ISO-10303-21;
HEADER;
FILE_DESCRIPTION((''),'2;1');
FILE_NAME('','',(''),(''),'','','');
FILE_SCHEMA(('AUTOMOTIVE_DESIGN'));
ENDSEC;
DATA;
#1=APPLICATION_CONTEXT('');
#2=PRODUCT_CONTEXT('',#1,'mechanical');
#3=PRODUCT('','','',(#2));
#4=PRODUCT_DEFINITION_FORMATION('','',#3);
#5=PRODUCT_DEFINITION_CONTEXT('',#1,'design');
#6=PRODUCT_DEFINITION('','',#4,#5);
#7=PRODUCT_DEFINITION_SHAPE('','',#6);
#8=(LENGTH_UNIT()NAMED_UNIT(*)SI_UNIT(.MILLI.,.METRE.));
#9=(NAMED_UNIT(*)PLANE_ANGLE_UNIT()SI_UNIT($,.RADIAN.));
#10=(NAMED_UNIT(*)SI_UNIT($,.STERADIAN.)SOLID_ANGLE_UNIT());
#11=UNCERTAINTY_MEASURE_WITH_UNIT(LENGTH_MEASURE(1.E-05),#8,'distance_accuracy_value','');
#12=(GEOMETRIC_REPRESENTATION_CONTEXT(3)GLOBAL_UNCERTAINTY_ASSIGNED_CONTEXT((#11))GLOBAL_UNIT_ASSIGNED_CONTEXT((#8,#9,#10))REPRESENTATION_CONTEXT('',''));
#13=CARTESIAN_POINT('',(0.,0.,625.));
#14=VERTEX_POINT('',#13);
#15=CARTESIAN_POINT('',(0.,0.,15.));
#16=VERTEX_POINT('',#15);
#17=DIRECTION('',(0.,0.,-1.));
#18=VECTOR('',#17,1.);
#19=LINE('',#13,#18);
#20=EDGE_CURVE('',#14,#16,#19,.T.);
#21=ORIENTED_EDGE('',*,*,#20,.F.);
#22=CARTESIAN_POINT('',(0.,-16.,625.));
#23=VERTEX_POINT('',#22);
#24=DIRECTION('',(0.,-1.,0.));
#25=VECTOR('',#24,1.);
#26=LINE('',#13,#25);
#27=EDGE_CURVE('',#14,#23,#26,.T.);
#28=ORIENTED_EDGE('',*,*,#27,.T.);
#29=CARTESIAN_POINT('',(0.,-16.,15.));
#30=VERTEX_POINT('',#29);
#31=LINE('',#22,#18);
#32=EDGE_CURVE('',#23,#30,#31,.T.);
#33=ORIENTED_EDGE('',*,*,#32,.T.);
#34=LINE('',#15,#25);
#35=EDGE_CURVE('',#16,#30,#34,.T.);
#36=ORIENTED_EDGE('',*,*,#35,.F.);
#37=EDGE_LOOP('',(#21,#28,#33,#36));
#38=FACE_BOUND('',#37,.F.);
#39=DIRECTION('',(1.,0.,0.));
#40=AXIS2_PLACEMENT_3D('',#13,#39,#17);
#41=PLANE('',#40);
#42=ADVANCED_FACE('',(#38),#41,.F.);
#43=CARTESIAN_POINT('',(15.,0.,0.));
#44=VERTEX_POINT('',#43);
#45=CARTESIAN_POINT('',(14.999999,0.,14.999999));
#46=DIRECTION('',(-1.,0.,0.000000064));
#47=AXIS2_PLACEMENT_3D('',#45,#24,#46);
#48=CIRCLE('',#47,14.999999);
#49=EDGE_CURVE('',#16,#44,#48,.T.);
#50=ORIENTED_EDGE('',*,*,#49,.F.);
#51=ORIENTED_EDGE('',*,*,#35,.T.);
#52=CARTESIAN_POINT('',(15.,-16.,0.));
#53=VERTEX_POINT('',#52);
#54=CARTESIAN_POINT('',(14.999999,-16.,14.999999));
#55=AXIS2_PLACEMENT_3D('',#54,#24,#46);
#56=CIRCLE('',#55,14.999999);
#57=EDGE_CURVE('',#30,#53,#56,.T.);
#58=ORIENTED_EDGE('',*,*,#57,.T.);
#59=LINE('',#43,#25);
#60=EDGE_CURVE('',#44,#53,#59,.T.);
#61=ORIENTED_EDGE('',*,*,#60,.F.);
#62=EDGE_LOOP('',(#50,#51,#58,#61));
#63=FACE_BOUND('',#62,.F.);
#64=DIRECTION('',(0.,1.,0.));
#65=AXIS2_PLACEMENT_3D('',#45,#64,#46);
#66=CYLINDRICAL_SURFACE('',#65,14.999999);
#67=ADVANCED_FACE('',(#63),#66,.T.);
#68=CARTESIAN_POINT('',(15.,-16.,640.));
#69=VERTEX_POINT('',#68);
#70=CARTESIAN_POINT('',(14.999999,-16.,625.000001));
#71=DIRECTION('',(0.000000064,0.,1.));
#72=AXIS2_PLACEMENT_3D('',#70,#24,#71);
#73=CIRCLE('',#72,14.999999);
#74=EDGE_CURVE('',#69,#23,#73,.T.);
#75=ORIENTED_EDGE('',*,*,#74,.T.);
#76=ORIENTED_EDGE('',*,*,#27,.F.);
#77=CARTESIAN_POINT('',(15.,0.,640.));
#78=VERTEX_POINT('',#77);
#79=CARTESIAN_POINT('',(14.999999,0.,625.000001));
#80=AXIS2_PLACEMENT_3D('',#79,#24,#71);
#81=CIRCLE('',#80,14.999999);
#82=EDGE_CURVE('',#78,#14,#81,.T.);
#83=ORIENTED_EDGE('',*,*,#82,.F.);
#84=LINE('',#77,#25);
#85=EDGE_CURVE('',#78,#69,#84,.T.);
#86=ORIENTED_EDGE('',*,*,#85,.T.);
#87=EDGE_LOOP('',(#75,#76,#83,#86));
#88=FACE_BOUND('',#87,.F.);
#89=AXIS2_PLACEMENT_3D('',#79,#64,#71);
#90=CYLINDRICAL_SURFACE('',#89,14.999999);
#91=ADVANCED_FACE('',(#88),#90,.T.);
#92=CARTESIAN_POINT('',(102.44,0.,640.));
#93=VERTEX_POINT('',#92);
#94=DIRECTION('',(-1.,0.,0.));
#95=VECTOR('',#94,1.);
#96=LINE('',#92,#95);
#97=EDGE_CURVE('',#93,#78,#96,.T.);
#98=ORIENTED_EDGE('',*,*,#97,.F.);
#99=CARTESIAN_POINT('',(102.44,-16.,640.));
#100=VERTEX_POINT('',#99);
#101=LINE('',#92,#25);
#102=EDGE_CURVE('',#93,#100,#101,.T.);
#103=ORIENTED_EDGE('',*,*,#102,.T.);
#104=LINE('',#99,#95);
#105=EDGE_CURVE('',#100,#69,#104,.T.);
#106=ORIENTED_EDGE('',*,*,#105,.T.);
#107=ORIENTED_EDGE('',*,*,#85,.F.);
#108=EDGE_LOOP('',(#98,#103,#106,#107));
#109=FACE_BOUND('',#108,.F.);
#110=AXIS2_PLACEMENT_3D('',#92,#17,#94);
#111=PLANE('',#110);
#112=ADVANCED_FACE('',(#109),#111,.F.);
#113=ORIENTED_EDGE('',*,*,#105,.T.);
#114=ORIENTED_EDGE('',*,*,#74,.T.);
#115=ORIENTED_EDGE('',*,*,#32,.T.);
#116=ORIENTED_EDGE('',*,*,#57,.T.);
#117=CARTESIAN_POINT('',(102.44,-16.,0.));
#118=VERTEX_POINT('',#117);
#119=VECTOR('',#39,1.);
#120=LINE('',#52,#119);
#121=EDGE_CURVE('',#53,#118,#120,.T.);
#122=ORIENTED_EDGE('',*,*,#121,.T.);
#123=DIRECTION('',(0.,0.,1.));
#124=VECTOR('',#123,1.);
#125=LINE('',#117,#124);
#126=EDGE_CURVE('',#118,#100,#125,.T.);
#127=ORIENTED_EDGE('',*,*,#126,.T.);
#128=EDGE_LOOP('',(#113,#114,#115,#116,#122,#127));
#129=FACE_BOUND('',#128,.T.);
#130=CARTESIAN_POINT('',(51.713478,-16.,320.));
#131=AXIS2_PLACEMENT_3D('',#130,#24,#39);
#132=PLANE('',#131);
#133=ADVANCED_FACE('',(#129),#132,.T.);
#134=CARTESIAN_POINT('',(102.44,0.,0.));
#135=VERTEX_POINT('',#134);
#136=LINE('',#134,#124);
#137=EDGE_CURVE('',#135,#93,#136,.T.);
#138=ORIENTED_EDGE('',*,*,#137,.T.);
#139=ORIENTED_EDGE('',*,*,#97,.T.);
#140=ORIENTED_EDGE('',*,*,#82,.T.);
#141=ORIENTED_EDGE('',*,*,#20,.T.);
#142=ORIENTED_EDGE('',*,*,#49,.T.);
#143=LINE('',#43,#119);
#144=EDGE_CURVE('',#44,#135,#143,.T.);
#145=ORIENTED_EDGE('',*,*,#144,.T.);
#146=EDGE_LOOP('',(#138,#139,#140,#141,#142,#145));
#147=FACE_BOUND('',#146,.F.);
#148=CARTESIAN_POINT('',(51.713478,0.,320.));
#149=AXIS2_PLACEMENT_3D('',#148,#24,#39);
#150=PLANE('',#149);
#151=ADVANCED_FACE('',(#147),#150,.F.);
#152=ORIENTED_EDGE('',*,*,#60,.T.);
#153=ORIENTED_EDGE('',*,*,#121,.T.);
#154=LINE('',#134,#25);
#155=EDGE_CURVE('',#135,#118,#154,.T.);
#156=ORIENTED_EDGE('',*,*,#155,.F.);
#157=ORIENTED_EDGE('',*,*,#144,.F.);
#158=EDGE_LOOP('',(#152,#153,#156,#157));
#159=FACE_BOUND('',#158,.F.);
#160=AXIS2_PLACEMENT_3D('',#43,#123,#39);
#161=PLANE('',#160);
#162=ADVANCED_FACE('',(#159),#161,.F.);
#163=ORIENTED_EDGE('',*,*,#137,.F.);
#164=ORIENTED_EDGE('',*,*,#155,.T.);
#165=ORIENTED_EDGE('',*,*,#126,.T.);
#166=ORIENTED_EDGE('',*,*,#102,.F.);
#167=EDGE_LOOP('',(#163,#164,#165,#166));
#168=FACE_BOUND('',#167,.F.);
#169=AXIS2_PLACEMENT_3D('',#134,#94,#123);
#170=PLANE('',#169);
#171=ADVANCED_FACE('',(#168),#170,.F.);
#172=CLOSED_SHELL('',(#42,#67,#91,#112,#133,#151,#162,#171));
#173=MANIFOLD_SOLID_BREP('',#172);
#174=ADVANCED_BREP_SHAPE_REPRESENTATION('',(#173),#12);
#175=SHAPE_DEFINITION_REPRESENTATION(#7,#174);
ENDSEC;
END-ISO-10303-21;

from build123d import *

# Parameters (mm, degrees)
F1_DEPTH = 16


with BuildPart() as f1:
    # F0 (on Front) → F1 (new body)
    with BuildSketch(Plane.XZ):
        with BuildLine():
            Line((102.44, 640), (15, 640))
            ThreePointArc((15, 640), (4.393398, 635.606602), (0, 625))
            Line((0, 625), (0, 15))
            ThreePointArc((0, 15), (4.393398, 4.393398), (15, 0))
            Line((15, 0), (102.44, 0))
            Line((102.44, 0), (102.44, 640))
        make_face()
    extrude(amount=F1_DEPTH)


solid = f1.part
